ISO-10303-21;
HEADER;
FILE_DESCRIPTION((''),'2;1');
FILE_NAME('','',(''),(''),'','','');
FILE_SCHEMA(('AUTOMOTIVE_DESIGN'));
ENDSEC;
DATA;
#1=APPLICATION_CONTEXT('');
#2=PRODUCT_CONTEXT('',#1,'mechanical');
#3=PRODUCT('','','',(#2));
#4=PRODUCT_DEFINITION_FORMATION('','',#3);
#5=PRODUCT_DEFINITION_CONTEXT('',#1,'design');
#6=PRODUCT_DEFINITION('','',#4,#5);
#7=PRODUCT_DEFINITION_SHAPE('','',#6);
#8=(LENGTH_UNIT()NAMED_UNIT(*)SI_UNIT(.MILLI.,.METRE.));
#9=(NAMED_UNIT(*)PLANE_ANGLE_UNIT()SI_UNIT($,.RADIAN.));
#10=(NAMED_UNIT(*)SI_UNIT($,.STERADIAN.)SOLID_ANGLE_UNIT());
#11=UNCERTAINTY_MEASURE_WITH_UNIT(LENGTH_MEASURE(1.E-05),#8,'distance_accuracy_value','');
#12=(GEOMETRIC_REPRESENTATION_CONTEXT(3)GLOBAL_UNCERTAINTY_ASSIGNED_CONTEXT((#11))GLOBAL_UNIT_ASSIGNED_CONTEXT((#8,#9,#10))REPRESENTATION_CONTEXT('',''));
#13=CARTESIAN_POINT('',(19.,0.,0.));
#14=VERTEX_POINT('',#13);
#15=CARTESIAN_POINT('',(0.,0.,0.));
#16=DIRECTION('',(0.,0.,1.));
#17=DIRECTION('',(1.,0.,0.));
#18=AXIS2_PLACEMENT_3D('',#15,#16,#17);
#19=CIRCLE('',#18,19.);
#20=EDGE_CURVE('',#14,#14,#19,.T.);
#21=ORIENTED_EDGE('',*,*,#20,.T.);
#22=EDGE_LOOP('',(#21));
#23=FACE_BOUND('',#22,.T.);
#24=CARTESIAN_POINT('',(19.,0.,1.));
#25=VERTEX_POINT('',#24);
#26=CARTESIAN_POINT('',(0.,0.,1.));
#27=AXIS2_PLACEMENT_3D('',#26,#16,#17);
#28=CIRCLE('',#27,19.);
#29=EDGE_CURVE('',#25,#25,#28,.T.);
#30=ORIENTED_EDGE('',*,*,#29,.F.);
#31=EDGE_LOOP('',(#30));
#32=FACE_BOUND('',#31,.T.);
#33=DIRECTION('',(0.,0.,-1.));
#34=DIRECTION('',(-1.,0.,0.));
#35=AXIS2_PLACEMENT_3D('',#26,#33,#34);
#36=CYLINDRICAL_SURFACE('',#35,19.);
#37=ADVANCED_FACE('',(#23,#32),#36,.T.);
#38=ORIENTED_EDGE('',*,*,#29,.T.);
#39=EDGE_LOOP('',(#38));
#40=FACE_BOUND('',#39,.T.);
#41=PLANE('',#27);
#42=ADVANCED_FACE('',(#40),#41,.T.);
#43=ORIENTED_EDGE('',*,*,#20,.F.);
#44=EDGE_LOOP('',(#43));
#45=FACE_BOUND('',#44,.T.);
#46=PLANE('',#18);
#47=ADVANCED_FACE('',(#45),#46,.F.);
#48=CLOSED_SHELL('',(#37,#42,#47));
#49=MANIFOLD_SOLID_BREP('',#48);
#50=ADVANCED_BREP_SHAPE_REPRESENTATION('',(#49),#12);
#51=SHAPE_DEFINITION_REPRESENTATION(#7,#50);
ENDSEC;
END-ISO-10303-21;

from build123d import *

# Parameters (mm, degrees)
CROQUIS2_R              = 19
SALIENTE_EXTRUIR1_DEPTH = 1


with BuildPart() as part:
    # Croquis2 → Saliente-Extruir1 (new body)
    with BuildSketch(Plane.XY):
        Circle(CROQUIS2_R)
    extrude(amount=SALIENTE_EXTRUIR1_DEPTH)


solid = part.part
